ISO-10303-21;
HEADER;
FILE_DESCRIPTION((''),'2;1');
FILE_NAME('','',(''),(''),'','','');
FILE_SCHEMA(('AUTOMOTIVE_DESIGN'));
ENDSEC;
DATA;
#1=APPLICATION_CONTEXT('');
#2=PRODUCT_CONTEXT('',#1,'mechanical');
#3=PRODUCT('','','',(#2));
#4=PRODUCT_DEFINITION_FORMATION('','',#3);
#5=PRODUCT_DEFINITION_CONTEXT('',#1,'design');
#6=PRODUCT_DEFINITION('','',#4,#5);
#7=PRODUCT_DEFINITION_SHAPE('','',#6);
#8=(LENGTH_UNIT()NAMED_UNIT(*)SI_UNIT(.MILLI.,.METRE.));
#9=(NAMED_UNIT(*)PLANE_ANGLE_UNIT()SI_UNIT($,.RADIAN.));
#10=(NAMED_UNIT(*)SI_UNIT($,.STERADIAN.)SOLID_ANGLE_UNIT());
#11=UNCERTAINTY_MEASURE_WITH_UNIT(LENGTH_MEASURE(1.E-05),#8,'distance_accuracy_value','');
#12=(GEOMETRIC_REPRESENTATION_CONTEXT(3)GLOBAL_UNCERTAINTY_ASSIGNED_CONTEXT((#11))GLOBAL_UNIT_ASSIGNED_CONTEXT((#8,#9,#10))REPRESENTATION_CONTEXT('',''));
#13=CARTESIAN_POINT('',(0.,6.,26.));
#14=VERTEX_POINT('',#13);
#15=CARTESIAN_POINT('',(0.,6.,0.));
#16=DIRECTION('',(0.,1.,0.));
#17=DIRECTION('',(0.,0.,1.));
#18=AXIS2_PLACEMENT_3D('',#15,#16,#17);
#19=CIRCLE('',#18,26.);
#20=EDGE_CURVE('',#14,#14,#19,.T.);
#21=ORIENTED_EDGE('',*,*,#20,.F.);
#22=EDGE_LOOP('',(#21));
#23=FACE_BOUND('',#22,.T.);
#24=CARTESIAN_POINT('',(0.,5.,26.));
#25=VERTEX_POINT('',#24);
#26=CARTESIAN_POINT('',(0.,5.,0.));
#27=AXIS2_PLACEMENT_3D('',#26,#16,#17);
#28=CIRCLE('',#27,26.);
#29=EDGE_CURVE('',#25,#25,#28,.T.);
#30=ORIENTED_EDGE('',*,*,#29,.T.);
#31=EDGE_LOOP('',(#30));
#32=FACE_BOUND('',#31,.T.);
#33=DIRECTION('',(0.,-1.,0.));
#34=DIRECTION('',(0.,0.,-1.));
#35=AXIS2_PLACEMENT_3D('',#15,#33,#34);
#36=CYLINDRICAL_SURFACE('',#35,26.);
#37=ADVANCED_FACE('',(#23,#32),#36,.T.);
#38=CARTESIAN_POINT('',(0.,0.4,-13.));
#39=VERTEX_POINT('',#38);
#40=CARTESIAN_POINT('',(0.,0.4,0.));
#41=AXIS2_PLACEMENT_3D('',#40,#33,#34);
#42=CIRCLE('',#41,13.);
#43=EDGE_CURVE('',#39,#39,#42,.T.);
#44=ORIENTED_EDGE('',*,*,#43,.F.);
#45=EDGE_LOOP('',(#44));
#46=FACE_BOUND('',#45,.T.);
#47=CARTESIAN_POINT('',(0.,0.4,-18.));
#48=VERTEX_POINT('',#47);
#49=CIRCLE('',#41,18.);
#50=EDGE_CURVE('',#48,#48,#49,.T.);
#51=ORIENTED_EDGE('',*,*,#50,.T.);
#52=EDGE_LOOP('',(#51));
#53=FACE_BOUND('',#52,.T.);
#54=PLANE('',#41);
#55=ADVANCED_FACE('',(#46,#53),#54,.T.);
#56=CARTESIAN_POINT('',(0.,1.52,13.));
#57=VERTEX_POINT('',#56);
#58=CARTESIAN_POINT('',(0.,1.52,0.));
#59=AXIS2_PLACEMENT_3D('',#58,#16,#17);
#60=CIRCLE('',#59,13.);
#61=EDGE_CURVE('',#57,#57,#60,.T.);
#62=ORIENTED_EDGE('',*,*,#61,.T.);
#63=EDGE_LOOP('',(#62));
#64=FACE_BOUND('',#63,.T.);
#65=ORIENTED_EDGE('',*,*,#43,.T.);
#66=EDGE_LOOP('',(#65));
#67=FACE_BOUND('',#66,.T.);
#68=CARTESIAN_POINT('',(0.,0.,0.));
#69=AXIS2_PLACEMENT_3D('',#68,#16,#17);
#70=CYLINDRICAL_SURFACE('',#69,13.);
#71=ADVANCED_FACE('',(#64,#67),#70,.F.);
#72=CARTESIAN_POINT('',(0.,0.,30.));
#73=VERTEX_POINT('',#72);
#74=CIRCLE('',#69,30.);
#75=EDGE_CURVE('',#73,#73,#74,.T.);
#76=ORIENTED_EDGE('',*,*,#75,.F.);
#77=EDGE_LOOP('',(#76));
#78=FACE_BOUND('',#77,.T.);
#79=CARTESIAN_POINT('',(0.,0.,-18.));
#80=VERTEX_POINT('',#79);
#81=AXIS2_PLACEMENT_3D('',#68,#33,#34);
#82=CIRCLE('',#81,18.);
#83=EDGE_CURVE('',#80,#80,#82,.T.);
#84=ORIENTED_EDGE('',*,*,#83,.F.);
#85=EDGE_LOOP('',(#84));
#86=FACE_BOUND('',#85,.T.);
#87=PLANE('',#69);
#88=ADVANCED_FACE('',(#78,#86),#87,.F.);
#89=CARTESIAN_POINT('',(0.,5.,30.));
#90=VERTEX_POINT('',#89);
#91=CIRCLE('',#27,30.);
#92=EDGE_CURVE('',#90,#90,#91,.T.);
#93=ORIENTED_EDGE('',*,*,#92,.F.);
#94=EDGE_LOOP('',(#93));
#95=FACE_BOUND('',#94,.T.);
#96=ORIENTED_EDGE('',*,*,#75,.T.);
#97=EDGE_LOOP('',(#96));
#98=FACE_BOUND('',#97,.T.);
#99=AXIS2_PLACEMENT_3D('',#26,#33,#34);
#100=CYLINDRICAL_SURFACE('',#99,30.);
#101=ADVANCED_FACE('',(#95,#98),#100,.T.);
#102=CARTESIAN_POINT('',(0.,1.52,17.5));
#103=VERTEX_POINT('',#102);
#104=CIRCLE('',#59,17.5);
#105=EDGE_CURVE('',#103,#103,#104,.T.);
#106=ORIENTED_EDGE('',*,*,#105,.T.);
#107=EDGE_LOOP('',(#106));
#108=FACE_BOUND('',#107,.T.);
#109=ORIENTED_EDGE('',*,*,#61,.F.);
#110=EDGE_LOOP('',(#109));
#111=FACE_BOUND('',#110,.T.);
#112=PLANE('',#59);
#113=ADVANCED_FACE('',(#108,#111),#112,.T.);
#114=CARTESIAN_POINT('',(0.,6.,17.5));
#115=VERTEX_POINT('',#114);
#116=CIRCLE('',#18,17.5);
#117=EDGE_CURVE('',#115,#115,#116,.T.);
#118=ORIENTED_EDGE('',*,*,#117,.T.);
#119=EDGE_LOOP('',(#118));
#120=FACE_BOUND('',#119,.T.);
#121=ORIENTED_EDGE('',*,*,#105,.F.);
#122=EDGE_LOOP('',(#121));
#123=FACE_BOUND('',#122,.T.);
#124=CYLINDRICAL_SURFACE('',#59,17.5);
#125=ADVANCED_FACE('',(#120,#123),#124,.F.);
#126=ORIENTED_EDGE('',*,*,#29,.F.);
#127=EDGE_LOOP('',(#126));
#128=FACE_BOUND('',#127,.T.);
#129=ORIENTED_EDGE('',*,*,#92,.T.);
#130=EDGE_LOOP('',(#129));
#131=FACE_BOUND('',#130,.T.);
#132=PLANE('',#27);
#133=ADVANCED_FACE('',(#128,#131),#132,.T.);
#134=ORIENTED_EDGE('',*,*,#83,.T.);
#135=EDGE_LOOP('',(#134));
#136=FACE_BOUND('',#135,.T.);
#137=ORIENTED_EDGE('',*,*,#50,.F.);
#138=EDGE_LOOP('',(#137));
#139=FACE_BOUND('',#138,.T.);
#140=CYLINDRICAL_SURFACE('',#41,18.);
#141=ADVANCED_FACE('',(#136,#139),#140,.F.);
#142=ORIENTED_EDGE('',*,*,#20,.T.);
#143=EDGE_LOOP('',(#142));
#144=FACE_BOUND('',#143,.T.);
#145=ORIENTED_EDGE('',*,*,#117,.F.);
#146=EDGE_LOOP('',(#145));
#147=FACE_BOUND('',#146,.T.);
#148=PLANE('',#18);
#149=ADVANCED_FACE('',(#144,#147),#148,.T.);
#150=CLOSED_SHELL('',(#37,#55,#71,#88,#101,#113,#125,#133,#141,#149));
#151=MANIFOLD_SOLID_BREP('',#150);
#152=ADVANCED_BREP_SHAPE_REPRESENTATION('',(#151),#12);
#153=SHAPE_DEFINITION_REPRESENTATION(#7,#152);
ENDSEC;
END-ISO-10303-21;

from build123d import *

# Parameters (mm, degrees)
SKETCH_1_R          = 30
EXTRUDE_1_DEPTH     = 5
SKETCH_2_R          = 26
EXTRUDE_2_DEPTH     = 1
SKETCH_3_R          = 18
CUT_EXTRUDE_1_DEPTH = 0.4
SKETCH_4_R          = 17.5
CUT_EXTRUDE_2_DEPTH = 4.48
SKETCH_5_R          = 13
CUT_EXTRUDE_3_DEPTH = 43.662283108


with BuildPart() as part:
    # 草图1 → 凸台-拉伸1 (new body)
    with BuildSketch(Plane(origin=(0, 0, 0), x_dir=(1, 0, 0), z_dir=(0, 1, 0))):
        with Locations(Location((0, 0, 0), (0, 0, 270))):
            Circle(SKETCH_1_R)
    extrude(amount=EXTRUDE_1_DEPTH)

    # 草图2 → 凸台-拉伸2 (add)
    with BuildSketch(Plane(origin=(0, 5, 0), x_dir=(1, 0, 0), z_dir=(0, 1, 0))):
        with Locations(Location((0, 0, 0), (0, 0, 270))):
            Circle(SKETCH_2_R)
    extrude(amount=EXTRUDE_2_DEPTH)

    # 草图3 → 切除-拉伸1 (cut)
    with BuildSketch(Plane.XZ):
        with Locations(Location((0, 0, 0), (0, 0, 270))):
            Circle(SKETCH_3_R)
    extrude(amount=-CUT_EXTRUDE_1_DEPTH, mode=Mode.SUBTRACT)

    # 草图4 → 切除-拉伸2 (cut)
    with BuildSketch(Plane(origin=(0, 6, 0), x_dir=(1, 0, 0), z_dir=(0, 1, 0))):
        with Locations(Location((0, 0, 0), (0, 0, 270))):
            Circle(SKETCH_4_R)
    extrude(amount=-CUT_EXTRUDE_2_DEPTH, mode=Mode.SUBTRACT)

    # 草图5 → 切除-拉伸3 (cut, through all)
    with BuildSketch(Plane(origin=(0, 1.52, 0), x_dir=(1, 0, 0), z_dir=(0, 1, 0))):
        with Locations(Location((0, 0, 0), (0, 0, 270))):
            Circle(SKETCH_5_R)
    extrude(amount=-CUT_EXTRUDE_3_DEPTH, mode=Mode.SUBTRACT)


solid = part.part
